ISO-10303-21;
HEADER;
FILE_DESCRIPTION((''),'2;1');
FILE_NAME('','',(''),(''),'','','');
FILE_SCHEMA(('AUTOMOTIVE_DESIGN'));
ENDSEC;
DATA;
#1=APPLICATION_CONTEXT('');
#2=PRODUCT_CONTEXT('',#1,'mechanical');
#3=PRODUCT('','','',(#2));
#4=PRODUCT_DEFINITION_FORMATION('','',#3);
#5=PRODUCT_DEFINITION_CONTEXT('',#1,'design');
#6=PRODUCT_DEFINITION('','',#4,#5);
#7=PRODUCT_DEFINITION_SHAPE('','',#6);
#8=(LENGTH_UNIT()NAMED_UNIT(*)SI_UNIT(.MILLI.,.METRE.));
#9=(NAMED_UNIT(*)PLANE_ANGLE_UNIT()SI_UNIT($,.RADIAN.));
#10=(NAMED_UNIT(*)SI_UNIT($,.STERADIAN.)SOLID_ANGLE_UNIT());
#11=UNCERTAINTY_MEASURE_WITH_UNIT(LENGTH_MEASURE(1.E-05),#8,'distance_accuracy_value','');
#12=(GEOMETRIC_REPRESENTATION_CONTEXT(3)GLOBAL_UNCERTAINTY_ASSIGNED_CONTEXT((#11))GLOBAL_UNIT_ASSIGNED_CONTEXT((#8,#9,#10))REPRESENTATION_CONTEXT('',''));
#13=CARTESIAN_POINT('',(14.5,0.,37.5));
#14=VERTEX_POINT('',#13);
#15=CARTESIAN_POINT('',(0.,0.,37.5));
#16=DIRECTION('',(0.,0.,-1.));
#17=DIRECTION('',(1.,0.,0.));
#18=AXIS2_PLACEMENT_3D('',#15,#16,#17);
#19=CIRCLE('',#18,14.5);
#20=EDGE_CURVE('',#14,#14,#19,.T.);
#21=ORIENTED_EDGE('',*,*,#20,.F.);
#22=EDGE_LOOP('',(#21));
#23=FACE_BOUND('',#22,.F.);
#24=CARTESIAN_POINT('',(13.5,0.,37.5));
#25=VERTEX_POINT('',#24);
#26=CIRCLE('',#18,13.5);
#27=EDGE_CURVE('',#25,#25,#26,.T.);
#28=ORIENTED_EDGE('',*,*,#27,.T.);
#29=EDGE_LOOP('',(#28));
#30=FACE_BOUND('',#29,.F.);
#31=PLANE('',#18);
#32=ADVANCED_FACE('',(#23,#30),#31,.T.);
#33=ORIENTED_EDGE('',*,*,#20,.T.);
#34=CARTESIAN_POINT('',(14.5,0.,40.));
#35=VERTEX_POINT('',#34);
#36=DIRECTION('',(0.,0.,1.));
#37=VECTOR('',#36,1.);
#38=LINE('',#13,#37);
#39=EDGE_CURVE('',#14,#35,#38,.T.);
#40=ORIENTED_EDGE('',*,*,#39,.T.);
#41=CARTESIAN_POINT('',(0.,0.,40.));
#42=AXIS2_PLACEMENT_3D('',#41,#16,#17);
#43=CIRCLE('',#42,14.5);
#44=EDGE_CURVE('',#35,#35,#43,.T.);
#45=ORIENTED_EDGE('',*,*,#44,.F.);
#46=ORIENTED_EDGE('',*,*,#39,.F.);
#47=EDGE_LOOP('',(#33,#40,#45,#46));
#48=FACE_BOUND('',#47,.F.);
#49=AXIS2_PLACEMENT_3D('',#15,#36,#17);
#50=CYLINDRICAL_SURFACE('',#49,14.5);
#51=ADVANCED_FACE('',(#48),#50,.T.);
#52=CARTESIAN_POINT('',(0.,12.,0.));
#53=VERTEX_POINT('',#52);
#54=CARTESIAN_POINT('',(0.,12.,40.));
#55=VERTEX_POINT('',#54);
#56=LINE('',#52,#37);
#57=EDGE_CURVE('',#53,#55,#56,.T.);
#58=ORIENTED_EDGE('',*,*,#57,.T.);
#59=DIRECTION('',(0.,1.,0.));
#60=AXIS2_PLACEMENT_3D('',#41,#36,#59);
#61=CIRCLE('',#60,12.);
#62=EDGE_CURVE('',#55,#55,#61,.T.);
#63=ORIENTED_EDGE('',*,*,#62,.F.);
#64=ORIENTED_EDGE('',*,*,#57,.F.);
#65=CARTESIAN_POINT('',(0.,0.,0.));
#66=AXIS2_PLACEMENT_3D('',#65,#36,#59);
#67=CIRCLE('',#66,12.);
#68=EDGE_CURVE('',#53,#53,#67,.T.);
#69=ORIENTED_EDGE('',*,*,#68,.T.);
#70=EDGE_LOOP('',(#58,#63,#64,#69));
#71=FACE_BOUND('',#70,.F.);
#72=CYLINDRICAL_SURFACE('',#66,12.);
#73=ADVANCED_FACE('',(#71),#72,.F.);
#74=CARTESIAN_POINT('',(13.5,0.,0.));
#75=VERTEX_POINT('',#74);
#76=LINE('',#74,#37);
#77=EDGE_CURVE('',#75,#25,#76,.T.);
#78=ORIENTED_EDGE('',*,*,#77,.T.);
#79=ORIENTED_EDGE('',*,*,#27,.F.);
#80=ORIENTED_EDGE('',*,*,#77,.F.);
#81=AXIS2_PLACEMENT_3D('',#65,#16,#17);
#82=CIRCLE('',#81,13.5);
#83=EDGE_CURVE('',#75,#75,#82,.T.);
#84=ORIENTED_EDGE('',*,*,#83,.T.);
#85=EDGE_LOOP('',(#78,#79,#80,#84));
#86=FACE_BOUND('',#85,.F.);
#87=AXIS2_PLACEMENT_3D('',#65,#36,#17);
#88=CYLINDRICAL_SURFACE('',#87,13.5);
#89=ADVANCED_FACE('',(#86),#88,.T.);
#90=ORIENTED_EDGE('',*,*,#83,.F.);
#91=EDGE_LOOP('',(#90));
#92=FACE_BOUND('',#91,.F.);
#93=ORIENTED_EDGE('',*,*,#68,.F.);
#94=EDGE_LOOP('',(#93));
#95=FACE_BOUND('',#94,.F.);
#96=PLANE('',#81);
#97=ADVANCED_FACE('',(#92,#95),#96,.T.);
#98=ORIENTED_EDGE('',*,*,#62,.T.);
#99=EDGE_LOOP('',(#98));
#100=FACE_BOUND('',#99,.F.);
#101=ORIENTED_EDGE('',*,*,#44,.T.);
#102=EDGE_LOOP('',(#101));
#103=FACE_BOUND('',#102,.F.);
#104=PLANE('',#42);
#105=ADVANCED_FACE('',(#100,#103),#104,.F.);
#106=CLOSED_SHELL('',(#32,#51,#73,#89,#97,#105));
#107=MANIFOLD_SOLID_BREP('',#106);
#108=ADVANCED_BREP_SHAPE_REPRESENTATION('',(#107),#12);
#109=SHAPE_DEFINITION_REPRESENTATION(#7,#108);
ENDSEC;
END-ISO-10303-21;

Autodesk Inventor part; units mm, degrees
ref_plane "YZ Plane" through (0, 0, 0) normal (1, 0, 0) x (0, 1, 0)
ref_plane "XZ Plane" through (0, 0, 0) normal (0, 1, 0) x (-1, 0, 0)
ref_plane "XY Plane" through (0, 0, 0) normal (0, 0, 1) x (1, 0, 0)
sketch "Skizze1" plane through (0, 0, 0) normal (0, 1, 0) x (-1, 0, 0)
  line L0 (0, 0) -> (-13.5, 0)
  line L1 (-13.5, 0) -> (-13.5, 37.5)
  line L2 (-13.5, 37.5) -> (-14.5, 37.5)
  line L3 (-14.5, 37.5) -> (-14.5, 40)
  line L4 (-14.5, 40) -> (0, 40)
  line L5 (0, 40) -> (0, 0)
  dimension "d0" = 40
  dimension "d1" = 37.5
  dimension "d2" = 29
  dimension "d3" = 27
revolve "Umdrehung1" add sketch "Skizze1" angle 360 about axis through (0, 0, 40) along (0, 0, -1)
sketch "Skizze2" plane through (0, 0, 0) normal (0, 0, -1) x (-1, 0, 0)
  circle A0 centre (0, 0) radius 13.5 projected
hole "Bohrung1" at (0, 0, 0) direction (0, 0, 1) diameter 24 depth 40
properties part number "gehaeuse2" material "Blei"
